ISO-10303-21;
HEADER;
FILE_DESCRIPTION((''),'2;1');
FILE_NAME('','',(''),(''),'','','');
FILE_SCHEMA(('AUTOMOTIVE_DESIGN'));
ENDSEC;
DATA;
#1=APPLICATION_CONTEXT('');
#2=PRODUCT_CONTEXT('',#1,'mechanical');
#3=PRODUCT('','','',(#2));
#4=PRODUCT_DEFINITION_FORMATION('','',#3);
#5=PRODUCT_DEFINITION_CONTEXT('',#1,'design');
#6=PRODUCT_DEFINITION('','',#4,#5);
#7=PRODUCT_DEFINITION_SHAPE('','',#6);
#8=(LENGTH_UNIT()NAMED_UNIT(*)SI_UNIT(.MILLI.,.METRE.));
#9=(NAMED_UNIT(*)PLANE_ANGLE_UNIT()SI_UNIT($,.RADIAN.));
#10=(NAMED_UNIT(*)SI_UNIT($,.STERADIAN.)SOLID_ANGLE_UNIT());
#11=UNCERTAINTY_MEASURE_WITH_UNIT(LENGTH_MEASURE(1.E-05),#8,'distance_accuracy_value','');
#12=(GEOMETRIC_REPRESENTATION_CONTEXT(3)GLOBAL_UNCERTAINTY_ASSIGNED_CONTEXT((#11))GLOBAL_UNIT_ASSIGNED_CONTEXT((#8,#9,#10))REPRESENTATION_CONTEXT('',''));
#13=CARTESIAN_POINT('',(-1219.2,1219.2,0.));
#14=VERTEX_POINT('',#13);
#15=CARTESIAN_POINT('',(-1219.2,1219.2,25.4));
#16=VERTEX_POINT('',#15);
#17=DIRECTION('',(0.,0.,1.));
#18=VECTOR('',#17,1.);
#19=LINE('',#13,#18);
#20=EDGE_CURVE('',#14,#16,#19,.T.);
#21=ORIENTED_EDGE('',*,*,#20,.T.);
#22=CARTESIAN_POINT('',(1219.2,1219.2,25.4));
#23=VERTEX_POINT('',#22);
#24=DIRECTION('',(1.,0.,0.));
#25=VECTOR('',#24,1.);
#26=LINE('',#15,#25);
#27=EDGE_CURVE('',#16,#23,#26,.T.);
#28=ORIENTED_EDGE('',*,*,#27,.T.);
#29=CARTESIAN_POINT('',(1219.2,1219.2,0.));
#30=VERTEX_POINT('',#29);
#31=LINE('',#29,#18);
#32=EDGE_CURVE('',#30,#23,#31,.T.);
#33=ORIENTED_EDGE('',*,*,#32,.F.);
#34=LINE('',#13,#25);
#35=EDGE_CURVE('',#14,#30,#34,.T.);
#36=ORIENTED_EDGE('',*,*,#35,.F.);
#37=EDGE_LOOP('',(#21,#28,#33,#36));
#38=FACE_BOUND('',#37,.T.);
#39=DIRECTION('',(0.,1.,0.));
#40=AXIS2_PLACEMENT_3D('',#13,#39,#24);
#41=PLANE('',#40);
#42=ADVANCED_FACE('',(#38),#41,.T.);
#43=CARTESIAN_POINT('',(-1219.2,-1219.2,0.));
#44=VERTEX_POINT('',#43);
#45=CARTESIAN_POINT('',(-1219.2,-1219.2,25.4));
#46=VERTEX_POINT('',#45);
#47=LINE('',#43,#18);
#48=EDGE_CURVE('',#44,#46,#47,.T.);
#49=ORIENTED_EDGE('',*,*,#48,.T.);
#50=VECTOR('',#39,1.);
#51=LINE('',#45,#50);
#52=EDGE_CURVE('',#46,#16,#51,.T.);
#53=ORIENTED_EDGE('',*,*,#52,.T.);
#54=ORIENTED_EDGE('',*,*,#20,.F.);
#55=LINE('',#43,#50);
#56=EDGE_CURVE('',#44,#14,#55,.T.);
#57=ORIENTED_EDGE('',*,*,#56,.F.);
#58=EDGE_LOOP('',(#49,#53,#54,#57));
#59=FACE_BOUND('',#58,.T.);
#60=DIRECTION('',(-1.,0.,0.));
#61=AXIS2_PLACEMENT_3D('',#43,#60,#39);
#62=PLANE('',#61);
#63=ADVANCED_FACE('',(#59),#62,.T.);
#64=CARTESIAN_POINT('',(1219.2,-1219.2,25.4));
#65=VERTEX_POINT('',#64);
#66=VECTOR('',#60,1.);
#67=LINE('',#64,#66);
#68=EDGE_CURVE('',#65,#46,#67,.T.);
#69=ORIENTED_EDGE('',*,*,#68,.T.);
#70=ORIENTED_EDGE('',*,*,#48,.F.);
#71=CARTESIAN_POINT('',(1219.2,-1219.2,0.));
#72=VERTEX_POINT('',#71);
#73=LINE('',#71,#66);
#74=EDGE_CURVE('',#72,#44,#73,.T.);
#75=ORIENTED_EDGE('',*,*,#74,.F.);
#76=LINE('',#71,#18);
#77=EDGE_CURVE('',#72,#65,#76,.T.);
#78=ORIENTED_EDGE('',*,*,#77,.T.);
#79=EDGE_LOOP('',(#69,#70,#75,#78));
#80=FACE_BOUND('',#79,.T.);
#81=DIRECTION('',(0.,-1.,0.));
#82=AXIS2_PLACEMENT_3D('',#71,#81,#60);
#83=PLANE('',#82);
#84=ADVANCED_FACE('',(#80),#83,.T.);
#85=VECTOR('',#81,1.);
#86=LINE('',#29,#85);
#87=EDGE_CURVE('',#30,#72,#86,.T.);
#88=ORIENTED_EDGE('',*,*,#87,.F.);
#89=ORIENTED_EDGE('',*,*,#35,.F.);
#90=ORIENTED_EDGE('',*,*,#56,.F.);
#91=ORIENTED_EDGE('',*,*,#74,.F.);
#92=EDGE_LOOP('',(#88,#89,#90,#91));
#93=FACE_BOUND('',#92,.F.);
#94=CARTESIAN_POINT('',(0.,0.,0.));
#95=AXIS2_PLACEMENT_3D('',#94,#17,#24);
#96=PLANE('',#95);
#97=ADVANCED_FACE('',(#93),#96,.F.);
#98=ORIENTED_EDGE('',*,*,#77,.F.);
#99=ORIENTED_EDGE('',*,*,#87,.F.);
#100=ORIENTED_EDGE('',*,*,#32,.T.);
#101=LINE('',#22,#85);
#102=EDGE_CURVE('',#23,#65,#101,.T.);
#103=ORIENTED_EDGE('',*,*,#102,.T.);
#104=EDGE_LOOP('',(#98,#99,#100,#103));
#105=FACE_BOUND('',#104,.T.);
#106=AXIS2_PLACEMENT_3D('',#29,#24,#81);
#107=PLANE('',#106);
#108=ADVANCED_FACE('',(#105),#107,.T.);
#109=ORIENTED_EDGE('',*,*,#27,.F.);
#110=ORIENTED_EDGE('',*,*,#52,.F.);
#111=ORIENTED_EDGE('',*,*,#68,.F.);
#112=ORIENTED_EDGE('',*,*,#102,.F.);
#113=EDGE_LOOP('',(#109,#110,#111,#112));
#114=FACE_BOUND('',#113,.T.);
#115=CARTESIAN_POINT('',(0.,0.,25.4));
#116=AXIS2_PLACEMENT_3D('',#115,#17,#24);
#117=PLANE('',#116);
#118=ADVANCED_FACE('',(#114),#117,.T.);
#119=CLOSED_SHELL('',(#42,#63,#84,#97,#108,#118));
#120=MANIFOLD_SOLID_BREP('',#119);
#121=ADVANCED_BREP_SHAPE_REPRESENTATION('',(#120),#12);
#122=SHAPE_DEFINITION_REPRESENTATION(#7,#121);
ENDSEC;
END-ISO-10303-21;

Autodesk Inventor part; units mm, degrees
ref_plane "YZ Plane" through (0, 0, 0) normal (1, 0, 0) x (0, 1, 0)
ref_plane "XZ Plane" through (0, 0, 0) normal (0, 1, 0) x (-1, 0, 0)
ref_plane "XY Plane" through (0, 0, 0) normal (0, 0, 1) x (1, 0, 0)
sketch "Sketch1" plane through (0, 0, 0) normal (0, 0, 1) x (1, 0, 0)
  line L0 (0, 0) -> (0, 9.6943) construction
  line L1 (0, 0) -> (12.344, 0) construction
  line L2 (-1219.2, 1219.2) -> (1219.2, 1219.2)
  line L3 (1219.2, 1219.2) -> (1219.2, -1219.2)
  line L4 (1219.2, -1219.2) -> (-1219.2, -1219.2)
  line L5 (-1219.2, -1219.2) -> (-1219.2, 1219.2)
  dimension "d0" = 2438.4
  dimension "d1" = 2438.4
extrude "Extrusion1" add sketch "Sketch1" along normal blind 25.4
sketch "Sketch2" plane through (0, 0, 25.4) normal (0, 0, 1) x (1, 0, 0)
  line L0 (1524, -1079.5) -> (1524, 1079.5) projected
  line L1 (-1524, -1066.8) -> (1524, -1066.8) projected
  line L2 (-1524, 1079.5) -> (-1524, -1079.5) projected
  line L3 (1219.2, 1066.8) -> (-1219.2, 1066.8) projected
  line L4 (0, 76.2) -> (0, -1668.909) construction
  line L5 (1219.2, 1219.2) -> (-1219.2, 1219.2) projected
  line L6 (-635, 76.2) -> (-635, -1066.8)
  line L7 (635, -1066.8) -> (635, 76.2)
  arc A0 (635, 76.2) -> (-635, 76.2) centre (0, 76.2) ccw
  line L8 (635, -1066.8) -> (-635, -1066.8)
  point P0 (0, 0)
  point P1 (-1524, -1079.5)
  point P2 (0, -796.3545)
  dimension "d4" = 0
  dimension "d5" = 1270
  dimension "d6" = 1143
extrude "Extrusion2" [suppressed]
sketch "Sketch3" plane through (0, 0, 25.4) normal (0, 0, 1) x (1, 0, 0)
  line L0 (1524, -381) -> (1143, -381) projected
  line L1 (-1524, -381) -> (-1143, -381) projected
  line L2 (1524, -1079.5) -> (1524, 1079.5) projected
  line L3 (-1524, 1079.5) -> (-1524, -1079.5) projected
  line L4 (1524, 1066.8) -> (-1524, 1066.8) projected
  arc A0 (658.9085, 247.4421) -> (-658.9085, 247.4421) centre (0, -760.7876) ccw
  line L5 (889, -762) -> (1143, -762) projected
  line L6 (889, -1066.8) -> (889, -762) projected
  line L7 (-1143, -762) -> (-889, -762) projected
  line L8 (889, -762) -> (889, -177.8)
  line L9 (-889, -762) -> (-889, -177.8)
  line L10 (-889, -1066.8) -> (-889, -762) projected
  line L11 (1143, -381) -> (1143, -762) projected
  line L12 (-1143, -762) -> (-1143, -381) projected
  arc A1 (889, -177.8) -> (658.9085, 247.4421) centre (381, -177.8) ccw
  arc A2 (-658.9085, 247.4421) -> (-889, -177.8) centre (-381, -177.8) ccw
  line L13 (-1219.2, -1219.2) -> (1219.2, -1219.2) projected
  arc A3 (635, 76.2) -> (-635, 76.2) centre (0, 76.2) ccw projected
  line L14 (914.4, 660.4) -> (939.8, 660.4) projected
  line L15 (668.6108, 660.4) -> (-668.6108, 660.4)
  arc A4 (1524, -381) -> (668.6108, 660.4) centre (0, -760.7876) ccw
  arc A5 (-668.6108, 660.4) -> (-1524, -381) centre (0, -760.7876) ccw
  point P0 (0, 0)
  point P1 (889, 51.8418)
  point P2 (-889, 51.8418)
  point P3 (635, -1066.8)
  dimension "d9" = 508
  dimension "d10" = 889
extrude "Extrusion3" [suppressed]
properties part number "Base"
